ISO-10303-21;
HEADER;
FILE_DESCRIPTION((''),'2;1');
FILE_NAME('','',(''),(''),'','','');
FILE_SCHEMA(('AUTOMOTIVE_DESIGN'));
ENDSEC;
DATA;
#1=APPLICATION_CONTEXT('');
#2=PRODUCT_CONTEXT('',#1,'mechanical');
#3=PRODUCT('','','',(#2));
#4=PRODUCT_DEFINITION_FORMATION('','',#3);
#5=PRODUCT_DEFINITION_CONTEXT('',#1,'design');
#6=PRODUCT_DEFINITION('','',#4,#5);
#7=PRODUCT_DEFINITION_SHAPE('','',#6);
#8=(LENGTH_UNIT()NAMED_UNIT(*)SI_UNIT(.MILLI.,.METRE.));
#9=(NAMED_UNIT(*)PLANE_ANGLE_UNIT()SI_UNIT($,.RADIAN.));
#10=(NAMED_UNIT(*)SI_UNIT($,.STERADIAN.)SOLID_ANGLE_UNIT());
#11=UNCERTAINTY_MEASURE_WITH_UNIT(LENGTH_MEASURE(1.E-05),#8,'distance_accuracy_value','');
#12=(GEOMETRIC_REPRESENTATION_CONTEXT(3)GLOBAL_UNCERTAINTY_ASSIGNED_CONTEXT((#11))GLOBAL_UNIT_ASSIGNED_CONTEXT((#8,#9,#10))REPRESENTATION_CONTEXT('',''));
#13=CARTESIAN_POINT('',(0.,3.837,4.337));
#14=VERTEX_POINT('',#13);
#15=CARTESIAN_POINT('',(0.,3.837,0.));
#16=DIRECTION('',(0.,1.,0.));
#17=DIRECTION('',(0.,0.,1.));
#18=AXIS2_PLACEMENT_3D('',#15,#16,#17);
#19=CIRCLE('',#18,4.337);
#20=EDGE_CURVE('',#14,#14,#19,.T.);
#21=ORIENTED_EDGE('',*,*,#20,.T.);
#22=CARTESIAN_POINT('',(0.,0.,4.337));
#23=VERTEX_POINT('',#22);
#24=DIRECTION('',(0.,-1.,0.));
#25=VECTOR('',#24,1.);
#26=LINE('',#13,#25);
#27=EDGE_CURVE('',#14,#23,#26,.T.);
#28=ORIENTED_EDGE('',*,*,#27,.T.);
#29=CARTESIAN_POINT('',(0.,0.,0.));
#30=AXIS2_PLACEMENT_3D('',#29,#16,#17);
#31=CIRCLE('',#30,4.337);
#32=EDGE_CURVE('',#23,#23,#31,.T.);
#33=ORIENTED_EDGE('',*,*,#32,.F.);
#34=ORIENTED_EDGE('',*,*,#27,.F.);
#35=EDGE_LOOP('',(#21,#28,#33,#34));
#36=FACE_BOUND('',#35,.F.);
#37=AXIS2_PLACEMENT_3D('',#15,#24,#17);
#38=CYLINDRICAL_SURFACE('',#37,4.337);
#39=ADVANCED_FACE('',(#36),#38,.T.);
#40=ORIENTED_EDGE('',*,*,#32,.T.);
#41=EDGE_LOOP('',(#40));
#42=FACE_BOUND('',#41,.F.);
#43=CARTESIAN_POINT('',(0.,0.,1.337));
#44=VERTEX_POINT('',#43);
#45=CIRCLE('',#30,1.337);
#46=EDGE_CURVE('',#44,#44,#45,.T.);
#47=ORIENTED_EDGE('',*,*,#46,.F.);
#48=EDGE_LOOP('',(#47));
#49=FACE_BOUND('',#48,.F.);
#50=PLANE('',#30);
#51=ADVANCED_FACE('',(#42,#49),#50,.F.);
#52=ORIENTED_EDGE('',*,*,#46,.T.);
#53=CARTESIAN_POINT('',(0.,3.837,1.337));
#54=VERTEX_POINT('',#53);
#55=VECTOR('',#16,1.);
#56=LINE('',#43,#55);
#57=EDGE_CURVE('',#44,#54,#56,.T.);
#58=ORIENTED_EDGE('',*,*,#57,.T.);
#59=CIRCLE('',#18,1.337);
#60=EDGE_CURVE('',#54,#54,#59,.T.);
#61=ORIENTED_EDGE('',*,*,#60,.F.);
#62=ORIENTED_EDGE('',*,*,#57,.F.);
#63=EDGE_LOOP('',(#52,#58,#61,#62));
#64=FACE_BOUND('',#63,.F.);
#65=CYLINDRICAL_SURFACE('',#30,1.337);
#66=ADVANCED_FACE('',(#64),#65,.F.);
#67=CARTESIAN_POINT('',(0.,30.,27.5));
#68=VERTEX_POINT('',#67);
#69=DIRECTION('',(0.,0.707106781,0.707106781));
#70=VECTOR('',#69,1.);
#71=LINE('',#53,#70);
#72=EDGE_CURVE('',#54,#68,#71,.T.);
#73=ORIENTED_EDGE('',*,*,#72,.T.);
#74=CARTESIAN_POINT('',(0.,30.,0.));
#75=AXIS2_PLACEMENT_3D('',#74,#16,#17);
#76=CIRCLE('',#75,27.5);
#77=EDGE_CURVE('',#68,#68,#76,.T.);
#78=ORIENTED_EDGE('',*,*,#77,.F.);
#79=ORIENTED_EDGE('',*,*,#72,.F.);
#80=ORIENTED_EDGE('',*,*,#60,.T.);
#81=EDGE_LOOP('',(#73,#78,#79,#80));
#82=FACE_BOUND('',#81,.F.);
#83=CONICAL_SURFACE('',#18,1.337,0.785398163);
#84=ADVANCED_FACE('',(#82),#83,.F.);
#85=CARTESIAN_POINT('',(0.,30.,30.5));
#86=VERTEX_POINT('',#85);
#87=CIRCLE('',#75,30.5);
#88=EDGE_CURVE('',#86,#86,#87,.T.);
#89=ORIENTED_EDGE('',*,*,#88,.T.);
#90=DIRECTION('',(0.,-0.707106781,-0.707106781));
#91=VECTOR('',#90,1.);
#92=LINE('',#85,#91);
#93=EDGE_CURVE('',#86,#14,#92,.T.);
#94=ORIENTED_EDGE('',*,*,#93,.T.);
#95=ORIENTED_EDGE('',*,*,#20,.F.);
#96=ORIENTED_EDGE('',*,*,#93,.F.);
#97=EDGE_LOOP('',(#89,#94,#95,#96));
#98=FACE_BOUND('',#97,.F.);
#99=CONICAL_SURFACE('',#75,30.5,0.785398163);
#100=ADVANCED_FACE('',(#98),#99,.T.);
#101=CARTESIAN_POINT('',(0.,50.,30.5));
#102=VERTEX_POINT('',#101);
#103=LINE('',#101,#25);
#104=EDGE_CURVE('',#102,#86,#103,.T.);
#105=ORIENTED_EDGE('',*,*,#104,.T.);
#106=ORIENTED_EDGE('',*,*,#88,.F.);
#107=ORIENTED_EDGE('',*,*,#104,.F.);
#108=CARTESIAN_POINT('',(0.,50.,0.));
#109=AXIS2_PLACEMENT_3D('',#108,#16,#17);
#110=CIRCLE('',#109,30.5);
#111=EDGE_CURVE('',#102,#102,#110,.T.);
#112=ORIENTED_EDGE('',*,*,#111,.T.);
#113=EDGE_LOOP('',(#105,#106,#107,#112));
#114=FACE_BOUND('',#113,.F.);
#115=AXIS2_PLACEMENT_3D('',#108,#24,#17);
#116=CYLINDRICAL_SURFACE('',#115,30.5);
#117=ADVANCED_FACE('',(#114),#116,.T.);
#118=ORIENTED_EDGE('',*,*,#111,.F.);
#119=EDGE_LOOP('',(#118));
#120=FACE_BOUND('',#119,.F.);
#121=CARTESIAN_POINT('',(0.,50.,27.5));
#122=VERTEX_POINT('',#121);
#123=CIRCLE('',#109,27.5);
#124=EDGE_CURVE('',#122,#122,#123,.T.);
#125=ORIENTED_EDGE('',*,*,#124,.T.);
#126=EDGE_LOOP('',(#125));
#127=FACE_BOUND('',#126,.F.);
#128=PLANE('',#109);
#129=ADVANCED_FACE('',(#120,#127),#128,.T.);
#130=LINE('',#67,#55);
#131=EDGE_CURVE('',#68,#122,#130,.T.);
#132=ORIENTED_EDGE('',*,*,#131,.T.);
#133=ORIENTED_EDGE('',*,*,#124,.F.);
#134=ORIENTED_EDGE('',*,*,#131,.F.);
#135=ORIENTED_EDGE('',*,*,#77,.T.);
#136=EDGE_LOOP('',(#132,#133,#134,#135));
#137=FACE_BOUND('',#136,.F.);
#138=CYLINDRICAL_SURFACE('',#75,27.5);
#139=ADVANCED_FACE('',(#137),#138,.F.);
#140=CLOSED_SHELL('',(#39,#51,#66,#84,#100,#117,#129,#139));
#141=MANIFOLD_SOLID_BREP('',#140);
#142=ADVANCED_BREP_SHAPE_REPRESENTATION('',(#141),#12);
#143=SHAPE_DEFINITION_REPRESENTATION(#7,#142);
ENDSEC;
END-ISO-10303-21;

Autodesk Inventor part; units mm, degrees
ref_plane "YZ Plane" through (0, 0, 0) normal (1, 0, 0) x (0, 1, 0)
ref_plane "XZ Plane" through (0, 0, 0) normal (0, 1, 0) x (-1, 0, 0)
ref_plane "XY Plane" through (0, 0, 0) normal (0, 0, 1) x (1, 0, 0)
sketch "Sketch1" plane through (0, 0, 0) normal (1, 0, 0) x (0, 1, 0)
  line L0 (0, 0) -> (50, 0)
  line L1 (50, 0) -> (50, 30.5)
  line L2 (50, 30.5) -> (30, 30.5)
  line L3 (30, 30.5) -> (3.837, 4.337)
  line L4 (3.837, 4.337) -> (0, 4.337)
  line L5 (0, 4.337) -> (0, 1.337)
  line L6 (0, 1.337) -> (3.837, 1.337)
  line L7 (3.837, 1.337) -> (30, 27.5)
  line L8 (30, 27.5) -> (50, 27.5)
  dimension "d0" = 50
  dimension "d1" = 30.5
  dimension "d2" = 20
  dimension "d3" = 90
  dimension "d4" = 37
  dimension "d5" = 135
  dimension "d6" = 3
revolve "Revolution1" add sketch "Sketch1" angle 360 about axis through (0, 0, 0) along (0, 1, 0)
properties part number "seeder"
